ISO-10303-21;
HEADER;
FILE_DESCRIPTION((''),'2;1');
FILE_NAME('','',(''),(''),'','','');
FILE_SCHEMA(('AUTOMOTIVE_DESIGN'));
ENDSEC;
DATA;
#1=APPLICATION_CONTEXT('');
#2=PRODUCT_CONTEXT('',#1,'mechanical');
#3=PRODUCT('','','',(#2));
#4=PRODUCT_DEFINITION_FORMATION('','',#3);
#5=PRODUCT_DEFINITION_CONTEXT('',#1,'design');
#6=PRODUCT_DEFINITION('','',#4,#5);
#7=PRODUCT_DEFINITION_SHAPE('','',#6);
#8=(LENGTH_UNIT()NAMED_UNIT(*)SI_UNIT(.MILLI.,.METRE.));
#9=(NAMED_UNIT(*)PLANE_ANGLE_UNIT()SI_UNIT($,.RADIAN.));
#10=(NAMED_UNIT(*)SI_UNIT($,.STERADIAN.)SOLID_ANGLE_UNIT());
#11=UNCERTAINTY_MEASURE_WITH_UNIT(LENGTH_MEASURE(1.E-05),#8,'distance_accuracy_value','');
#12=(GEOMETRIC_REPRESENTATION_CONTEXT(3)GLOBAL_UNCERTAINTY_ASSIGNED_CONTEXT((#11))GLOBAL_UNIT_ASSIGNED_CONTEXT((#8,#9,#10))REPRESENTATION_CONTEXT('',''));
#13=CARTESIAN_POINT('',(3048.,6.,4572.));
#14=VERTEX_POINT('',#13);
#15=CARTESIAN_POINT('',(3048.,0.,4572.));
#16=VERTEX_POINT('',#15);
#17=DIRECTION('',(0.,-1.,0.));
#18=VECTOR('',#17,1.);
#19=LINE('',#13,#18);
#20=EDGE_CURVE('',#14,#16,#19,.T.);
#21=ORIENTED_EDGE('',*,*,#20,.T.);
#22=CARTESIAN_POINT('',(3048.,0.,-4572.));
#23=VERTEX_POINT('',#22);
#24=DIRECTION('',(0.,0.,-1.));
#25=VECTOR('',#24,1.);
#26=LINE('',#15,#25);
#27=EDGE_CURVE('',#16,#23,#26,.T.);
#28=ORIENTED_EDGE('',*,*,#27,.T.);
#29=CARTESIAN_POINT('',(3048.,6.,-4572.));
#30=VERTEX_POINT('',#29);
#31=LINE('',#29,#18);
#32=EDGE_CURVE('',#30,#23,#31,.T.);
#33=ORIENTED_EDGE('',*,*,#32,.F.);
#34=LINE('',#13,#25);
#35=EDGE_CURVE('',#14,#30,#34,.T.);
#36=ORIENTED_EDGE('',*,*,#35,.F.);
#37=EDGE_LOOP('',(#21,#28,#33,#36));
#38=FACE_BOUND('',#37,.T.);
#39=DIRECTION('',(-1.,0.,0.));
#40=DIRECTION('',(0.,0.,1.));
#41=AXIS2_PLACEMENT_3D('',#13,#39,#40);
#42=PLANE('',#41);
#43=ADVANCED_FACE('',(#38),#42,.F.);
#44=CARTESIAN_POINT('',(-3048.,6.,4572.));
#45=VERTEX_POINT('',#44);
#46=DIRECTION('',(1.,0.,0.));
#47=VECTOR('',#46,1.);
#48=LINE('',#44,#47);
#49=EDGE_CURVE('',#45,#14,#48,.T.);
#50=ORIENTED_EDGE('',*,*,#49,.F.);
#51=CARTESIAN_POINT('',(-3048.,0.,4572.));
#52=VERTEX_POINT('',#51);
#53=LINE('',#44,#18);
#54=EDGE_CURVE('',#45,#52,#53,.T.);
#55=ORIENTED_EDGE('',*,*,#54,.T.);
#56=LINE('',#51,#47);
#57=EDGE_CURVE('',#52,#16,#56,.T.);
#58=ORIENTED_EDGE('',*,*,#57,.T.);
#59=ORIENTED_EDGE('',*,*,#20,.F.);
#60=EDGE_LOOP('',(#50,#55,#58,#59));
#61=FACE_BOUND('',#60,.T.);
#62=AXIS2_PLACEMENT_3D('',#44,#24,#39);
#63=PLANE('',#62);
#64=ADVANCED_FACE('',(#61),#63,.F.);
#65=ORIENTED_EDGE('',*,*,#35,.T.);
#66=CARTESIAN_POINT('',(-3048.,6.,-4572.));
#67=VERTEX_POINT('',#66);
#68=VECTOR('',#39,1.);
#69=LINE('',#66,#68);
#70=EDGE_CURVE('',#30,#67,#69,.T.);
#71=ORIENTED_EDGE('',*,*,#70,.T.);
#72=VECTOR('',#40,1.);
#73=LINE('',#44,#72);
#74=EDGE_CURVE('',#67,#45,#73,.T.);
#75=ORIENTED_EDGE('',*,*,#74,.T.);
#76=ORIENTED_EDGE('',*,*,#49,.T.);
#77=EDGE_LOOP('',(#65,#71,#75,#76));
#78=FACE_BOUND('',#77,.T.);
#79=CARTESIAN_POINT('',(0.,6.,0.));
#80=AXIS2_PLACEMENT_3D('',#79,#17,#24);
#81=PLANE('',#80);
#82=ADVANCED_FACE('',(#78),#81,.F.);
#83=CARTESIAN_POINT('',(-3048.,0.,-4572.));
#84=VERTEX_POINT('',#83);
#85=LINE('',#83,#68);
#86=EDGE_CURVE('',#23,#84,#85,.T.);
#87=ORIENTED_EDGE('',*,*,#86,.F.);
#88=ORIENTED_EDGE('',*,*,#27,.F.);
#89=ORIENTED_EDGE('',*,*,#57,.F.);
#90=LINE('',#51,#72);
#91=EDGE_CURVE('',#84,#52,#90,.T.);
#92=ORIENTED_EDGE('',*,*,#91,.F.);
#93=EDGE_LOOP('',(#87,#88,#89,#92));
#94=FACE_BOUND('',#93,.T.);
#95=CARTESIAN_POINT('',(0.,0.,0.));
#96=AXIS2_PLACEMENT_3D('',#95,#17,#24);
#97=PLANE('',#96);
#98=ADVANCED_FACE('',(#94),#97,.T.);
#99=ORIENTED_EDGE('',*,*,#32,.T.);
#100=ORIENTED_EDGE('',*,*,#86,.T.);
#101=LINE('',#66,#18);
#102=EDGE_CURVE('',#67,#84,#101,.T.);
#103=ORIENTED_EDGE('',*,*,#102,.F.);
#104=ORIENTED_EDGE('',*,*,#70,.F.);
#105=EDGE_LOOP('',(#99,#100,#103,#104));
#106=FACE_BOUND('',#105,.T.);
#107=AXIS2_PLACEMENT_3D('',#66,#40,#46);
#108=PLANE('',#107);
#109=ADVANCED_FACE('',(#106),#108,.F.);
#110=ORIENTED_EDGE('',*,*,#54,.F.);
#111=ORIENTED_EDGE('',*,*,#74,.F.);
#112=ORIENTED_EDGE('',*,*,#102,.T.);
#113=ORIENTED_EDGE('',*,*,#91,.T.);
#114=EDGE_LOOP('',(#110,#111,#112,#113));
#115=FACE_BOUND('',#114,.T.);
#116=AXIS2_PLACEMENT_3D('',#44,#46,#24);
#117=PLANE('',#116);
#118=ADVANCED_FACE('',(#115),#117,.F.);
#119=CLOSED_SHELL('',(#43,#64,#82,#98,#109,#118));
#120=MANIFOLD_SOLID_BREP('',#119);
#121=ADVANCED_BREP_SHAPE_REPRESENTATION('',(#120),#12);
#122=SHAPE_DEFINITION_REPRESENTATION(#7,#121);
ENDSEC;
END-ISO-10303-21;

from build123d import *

# Parameters (mm, degrees)
SKETCH1_W           = 6096
SKETCH1_H           = 9144
BOSS_EXTRUDE1_DEPTH = 6


with BuildPart() as part:
    # Sketch1 → Boss-Extrude1 (new body)
    with BuildSketch(Plane(origin=(0, 0, 0), x_dir=(1, 0, 0), z_dir=(0, 1, 0))):
        Rectangle(SKETCH1_W, SKETCH1_H)
    extrude(amount=BOSS_EXTRUDE1_DEPTH)


solid = part.part
